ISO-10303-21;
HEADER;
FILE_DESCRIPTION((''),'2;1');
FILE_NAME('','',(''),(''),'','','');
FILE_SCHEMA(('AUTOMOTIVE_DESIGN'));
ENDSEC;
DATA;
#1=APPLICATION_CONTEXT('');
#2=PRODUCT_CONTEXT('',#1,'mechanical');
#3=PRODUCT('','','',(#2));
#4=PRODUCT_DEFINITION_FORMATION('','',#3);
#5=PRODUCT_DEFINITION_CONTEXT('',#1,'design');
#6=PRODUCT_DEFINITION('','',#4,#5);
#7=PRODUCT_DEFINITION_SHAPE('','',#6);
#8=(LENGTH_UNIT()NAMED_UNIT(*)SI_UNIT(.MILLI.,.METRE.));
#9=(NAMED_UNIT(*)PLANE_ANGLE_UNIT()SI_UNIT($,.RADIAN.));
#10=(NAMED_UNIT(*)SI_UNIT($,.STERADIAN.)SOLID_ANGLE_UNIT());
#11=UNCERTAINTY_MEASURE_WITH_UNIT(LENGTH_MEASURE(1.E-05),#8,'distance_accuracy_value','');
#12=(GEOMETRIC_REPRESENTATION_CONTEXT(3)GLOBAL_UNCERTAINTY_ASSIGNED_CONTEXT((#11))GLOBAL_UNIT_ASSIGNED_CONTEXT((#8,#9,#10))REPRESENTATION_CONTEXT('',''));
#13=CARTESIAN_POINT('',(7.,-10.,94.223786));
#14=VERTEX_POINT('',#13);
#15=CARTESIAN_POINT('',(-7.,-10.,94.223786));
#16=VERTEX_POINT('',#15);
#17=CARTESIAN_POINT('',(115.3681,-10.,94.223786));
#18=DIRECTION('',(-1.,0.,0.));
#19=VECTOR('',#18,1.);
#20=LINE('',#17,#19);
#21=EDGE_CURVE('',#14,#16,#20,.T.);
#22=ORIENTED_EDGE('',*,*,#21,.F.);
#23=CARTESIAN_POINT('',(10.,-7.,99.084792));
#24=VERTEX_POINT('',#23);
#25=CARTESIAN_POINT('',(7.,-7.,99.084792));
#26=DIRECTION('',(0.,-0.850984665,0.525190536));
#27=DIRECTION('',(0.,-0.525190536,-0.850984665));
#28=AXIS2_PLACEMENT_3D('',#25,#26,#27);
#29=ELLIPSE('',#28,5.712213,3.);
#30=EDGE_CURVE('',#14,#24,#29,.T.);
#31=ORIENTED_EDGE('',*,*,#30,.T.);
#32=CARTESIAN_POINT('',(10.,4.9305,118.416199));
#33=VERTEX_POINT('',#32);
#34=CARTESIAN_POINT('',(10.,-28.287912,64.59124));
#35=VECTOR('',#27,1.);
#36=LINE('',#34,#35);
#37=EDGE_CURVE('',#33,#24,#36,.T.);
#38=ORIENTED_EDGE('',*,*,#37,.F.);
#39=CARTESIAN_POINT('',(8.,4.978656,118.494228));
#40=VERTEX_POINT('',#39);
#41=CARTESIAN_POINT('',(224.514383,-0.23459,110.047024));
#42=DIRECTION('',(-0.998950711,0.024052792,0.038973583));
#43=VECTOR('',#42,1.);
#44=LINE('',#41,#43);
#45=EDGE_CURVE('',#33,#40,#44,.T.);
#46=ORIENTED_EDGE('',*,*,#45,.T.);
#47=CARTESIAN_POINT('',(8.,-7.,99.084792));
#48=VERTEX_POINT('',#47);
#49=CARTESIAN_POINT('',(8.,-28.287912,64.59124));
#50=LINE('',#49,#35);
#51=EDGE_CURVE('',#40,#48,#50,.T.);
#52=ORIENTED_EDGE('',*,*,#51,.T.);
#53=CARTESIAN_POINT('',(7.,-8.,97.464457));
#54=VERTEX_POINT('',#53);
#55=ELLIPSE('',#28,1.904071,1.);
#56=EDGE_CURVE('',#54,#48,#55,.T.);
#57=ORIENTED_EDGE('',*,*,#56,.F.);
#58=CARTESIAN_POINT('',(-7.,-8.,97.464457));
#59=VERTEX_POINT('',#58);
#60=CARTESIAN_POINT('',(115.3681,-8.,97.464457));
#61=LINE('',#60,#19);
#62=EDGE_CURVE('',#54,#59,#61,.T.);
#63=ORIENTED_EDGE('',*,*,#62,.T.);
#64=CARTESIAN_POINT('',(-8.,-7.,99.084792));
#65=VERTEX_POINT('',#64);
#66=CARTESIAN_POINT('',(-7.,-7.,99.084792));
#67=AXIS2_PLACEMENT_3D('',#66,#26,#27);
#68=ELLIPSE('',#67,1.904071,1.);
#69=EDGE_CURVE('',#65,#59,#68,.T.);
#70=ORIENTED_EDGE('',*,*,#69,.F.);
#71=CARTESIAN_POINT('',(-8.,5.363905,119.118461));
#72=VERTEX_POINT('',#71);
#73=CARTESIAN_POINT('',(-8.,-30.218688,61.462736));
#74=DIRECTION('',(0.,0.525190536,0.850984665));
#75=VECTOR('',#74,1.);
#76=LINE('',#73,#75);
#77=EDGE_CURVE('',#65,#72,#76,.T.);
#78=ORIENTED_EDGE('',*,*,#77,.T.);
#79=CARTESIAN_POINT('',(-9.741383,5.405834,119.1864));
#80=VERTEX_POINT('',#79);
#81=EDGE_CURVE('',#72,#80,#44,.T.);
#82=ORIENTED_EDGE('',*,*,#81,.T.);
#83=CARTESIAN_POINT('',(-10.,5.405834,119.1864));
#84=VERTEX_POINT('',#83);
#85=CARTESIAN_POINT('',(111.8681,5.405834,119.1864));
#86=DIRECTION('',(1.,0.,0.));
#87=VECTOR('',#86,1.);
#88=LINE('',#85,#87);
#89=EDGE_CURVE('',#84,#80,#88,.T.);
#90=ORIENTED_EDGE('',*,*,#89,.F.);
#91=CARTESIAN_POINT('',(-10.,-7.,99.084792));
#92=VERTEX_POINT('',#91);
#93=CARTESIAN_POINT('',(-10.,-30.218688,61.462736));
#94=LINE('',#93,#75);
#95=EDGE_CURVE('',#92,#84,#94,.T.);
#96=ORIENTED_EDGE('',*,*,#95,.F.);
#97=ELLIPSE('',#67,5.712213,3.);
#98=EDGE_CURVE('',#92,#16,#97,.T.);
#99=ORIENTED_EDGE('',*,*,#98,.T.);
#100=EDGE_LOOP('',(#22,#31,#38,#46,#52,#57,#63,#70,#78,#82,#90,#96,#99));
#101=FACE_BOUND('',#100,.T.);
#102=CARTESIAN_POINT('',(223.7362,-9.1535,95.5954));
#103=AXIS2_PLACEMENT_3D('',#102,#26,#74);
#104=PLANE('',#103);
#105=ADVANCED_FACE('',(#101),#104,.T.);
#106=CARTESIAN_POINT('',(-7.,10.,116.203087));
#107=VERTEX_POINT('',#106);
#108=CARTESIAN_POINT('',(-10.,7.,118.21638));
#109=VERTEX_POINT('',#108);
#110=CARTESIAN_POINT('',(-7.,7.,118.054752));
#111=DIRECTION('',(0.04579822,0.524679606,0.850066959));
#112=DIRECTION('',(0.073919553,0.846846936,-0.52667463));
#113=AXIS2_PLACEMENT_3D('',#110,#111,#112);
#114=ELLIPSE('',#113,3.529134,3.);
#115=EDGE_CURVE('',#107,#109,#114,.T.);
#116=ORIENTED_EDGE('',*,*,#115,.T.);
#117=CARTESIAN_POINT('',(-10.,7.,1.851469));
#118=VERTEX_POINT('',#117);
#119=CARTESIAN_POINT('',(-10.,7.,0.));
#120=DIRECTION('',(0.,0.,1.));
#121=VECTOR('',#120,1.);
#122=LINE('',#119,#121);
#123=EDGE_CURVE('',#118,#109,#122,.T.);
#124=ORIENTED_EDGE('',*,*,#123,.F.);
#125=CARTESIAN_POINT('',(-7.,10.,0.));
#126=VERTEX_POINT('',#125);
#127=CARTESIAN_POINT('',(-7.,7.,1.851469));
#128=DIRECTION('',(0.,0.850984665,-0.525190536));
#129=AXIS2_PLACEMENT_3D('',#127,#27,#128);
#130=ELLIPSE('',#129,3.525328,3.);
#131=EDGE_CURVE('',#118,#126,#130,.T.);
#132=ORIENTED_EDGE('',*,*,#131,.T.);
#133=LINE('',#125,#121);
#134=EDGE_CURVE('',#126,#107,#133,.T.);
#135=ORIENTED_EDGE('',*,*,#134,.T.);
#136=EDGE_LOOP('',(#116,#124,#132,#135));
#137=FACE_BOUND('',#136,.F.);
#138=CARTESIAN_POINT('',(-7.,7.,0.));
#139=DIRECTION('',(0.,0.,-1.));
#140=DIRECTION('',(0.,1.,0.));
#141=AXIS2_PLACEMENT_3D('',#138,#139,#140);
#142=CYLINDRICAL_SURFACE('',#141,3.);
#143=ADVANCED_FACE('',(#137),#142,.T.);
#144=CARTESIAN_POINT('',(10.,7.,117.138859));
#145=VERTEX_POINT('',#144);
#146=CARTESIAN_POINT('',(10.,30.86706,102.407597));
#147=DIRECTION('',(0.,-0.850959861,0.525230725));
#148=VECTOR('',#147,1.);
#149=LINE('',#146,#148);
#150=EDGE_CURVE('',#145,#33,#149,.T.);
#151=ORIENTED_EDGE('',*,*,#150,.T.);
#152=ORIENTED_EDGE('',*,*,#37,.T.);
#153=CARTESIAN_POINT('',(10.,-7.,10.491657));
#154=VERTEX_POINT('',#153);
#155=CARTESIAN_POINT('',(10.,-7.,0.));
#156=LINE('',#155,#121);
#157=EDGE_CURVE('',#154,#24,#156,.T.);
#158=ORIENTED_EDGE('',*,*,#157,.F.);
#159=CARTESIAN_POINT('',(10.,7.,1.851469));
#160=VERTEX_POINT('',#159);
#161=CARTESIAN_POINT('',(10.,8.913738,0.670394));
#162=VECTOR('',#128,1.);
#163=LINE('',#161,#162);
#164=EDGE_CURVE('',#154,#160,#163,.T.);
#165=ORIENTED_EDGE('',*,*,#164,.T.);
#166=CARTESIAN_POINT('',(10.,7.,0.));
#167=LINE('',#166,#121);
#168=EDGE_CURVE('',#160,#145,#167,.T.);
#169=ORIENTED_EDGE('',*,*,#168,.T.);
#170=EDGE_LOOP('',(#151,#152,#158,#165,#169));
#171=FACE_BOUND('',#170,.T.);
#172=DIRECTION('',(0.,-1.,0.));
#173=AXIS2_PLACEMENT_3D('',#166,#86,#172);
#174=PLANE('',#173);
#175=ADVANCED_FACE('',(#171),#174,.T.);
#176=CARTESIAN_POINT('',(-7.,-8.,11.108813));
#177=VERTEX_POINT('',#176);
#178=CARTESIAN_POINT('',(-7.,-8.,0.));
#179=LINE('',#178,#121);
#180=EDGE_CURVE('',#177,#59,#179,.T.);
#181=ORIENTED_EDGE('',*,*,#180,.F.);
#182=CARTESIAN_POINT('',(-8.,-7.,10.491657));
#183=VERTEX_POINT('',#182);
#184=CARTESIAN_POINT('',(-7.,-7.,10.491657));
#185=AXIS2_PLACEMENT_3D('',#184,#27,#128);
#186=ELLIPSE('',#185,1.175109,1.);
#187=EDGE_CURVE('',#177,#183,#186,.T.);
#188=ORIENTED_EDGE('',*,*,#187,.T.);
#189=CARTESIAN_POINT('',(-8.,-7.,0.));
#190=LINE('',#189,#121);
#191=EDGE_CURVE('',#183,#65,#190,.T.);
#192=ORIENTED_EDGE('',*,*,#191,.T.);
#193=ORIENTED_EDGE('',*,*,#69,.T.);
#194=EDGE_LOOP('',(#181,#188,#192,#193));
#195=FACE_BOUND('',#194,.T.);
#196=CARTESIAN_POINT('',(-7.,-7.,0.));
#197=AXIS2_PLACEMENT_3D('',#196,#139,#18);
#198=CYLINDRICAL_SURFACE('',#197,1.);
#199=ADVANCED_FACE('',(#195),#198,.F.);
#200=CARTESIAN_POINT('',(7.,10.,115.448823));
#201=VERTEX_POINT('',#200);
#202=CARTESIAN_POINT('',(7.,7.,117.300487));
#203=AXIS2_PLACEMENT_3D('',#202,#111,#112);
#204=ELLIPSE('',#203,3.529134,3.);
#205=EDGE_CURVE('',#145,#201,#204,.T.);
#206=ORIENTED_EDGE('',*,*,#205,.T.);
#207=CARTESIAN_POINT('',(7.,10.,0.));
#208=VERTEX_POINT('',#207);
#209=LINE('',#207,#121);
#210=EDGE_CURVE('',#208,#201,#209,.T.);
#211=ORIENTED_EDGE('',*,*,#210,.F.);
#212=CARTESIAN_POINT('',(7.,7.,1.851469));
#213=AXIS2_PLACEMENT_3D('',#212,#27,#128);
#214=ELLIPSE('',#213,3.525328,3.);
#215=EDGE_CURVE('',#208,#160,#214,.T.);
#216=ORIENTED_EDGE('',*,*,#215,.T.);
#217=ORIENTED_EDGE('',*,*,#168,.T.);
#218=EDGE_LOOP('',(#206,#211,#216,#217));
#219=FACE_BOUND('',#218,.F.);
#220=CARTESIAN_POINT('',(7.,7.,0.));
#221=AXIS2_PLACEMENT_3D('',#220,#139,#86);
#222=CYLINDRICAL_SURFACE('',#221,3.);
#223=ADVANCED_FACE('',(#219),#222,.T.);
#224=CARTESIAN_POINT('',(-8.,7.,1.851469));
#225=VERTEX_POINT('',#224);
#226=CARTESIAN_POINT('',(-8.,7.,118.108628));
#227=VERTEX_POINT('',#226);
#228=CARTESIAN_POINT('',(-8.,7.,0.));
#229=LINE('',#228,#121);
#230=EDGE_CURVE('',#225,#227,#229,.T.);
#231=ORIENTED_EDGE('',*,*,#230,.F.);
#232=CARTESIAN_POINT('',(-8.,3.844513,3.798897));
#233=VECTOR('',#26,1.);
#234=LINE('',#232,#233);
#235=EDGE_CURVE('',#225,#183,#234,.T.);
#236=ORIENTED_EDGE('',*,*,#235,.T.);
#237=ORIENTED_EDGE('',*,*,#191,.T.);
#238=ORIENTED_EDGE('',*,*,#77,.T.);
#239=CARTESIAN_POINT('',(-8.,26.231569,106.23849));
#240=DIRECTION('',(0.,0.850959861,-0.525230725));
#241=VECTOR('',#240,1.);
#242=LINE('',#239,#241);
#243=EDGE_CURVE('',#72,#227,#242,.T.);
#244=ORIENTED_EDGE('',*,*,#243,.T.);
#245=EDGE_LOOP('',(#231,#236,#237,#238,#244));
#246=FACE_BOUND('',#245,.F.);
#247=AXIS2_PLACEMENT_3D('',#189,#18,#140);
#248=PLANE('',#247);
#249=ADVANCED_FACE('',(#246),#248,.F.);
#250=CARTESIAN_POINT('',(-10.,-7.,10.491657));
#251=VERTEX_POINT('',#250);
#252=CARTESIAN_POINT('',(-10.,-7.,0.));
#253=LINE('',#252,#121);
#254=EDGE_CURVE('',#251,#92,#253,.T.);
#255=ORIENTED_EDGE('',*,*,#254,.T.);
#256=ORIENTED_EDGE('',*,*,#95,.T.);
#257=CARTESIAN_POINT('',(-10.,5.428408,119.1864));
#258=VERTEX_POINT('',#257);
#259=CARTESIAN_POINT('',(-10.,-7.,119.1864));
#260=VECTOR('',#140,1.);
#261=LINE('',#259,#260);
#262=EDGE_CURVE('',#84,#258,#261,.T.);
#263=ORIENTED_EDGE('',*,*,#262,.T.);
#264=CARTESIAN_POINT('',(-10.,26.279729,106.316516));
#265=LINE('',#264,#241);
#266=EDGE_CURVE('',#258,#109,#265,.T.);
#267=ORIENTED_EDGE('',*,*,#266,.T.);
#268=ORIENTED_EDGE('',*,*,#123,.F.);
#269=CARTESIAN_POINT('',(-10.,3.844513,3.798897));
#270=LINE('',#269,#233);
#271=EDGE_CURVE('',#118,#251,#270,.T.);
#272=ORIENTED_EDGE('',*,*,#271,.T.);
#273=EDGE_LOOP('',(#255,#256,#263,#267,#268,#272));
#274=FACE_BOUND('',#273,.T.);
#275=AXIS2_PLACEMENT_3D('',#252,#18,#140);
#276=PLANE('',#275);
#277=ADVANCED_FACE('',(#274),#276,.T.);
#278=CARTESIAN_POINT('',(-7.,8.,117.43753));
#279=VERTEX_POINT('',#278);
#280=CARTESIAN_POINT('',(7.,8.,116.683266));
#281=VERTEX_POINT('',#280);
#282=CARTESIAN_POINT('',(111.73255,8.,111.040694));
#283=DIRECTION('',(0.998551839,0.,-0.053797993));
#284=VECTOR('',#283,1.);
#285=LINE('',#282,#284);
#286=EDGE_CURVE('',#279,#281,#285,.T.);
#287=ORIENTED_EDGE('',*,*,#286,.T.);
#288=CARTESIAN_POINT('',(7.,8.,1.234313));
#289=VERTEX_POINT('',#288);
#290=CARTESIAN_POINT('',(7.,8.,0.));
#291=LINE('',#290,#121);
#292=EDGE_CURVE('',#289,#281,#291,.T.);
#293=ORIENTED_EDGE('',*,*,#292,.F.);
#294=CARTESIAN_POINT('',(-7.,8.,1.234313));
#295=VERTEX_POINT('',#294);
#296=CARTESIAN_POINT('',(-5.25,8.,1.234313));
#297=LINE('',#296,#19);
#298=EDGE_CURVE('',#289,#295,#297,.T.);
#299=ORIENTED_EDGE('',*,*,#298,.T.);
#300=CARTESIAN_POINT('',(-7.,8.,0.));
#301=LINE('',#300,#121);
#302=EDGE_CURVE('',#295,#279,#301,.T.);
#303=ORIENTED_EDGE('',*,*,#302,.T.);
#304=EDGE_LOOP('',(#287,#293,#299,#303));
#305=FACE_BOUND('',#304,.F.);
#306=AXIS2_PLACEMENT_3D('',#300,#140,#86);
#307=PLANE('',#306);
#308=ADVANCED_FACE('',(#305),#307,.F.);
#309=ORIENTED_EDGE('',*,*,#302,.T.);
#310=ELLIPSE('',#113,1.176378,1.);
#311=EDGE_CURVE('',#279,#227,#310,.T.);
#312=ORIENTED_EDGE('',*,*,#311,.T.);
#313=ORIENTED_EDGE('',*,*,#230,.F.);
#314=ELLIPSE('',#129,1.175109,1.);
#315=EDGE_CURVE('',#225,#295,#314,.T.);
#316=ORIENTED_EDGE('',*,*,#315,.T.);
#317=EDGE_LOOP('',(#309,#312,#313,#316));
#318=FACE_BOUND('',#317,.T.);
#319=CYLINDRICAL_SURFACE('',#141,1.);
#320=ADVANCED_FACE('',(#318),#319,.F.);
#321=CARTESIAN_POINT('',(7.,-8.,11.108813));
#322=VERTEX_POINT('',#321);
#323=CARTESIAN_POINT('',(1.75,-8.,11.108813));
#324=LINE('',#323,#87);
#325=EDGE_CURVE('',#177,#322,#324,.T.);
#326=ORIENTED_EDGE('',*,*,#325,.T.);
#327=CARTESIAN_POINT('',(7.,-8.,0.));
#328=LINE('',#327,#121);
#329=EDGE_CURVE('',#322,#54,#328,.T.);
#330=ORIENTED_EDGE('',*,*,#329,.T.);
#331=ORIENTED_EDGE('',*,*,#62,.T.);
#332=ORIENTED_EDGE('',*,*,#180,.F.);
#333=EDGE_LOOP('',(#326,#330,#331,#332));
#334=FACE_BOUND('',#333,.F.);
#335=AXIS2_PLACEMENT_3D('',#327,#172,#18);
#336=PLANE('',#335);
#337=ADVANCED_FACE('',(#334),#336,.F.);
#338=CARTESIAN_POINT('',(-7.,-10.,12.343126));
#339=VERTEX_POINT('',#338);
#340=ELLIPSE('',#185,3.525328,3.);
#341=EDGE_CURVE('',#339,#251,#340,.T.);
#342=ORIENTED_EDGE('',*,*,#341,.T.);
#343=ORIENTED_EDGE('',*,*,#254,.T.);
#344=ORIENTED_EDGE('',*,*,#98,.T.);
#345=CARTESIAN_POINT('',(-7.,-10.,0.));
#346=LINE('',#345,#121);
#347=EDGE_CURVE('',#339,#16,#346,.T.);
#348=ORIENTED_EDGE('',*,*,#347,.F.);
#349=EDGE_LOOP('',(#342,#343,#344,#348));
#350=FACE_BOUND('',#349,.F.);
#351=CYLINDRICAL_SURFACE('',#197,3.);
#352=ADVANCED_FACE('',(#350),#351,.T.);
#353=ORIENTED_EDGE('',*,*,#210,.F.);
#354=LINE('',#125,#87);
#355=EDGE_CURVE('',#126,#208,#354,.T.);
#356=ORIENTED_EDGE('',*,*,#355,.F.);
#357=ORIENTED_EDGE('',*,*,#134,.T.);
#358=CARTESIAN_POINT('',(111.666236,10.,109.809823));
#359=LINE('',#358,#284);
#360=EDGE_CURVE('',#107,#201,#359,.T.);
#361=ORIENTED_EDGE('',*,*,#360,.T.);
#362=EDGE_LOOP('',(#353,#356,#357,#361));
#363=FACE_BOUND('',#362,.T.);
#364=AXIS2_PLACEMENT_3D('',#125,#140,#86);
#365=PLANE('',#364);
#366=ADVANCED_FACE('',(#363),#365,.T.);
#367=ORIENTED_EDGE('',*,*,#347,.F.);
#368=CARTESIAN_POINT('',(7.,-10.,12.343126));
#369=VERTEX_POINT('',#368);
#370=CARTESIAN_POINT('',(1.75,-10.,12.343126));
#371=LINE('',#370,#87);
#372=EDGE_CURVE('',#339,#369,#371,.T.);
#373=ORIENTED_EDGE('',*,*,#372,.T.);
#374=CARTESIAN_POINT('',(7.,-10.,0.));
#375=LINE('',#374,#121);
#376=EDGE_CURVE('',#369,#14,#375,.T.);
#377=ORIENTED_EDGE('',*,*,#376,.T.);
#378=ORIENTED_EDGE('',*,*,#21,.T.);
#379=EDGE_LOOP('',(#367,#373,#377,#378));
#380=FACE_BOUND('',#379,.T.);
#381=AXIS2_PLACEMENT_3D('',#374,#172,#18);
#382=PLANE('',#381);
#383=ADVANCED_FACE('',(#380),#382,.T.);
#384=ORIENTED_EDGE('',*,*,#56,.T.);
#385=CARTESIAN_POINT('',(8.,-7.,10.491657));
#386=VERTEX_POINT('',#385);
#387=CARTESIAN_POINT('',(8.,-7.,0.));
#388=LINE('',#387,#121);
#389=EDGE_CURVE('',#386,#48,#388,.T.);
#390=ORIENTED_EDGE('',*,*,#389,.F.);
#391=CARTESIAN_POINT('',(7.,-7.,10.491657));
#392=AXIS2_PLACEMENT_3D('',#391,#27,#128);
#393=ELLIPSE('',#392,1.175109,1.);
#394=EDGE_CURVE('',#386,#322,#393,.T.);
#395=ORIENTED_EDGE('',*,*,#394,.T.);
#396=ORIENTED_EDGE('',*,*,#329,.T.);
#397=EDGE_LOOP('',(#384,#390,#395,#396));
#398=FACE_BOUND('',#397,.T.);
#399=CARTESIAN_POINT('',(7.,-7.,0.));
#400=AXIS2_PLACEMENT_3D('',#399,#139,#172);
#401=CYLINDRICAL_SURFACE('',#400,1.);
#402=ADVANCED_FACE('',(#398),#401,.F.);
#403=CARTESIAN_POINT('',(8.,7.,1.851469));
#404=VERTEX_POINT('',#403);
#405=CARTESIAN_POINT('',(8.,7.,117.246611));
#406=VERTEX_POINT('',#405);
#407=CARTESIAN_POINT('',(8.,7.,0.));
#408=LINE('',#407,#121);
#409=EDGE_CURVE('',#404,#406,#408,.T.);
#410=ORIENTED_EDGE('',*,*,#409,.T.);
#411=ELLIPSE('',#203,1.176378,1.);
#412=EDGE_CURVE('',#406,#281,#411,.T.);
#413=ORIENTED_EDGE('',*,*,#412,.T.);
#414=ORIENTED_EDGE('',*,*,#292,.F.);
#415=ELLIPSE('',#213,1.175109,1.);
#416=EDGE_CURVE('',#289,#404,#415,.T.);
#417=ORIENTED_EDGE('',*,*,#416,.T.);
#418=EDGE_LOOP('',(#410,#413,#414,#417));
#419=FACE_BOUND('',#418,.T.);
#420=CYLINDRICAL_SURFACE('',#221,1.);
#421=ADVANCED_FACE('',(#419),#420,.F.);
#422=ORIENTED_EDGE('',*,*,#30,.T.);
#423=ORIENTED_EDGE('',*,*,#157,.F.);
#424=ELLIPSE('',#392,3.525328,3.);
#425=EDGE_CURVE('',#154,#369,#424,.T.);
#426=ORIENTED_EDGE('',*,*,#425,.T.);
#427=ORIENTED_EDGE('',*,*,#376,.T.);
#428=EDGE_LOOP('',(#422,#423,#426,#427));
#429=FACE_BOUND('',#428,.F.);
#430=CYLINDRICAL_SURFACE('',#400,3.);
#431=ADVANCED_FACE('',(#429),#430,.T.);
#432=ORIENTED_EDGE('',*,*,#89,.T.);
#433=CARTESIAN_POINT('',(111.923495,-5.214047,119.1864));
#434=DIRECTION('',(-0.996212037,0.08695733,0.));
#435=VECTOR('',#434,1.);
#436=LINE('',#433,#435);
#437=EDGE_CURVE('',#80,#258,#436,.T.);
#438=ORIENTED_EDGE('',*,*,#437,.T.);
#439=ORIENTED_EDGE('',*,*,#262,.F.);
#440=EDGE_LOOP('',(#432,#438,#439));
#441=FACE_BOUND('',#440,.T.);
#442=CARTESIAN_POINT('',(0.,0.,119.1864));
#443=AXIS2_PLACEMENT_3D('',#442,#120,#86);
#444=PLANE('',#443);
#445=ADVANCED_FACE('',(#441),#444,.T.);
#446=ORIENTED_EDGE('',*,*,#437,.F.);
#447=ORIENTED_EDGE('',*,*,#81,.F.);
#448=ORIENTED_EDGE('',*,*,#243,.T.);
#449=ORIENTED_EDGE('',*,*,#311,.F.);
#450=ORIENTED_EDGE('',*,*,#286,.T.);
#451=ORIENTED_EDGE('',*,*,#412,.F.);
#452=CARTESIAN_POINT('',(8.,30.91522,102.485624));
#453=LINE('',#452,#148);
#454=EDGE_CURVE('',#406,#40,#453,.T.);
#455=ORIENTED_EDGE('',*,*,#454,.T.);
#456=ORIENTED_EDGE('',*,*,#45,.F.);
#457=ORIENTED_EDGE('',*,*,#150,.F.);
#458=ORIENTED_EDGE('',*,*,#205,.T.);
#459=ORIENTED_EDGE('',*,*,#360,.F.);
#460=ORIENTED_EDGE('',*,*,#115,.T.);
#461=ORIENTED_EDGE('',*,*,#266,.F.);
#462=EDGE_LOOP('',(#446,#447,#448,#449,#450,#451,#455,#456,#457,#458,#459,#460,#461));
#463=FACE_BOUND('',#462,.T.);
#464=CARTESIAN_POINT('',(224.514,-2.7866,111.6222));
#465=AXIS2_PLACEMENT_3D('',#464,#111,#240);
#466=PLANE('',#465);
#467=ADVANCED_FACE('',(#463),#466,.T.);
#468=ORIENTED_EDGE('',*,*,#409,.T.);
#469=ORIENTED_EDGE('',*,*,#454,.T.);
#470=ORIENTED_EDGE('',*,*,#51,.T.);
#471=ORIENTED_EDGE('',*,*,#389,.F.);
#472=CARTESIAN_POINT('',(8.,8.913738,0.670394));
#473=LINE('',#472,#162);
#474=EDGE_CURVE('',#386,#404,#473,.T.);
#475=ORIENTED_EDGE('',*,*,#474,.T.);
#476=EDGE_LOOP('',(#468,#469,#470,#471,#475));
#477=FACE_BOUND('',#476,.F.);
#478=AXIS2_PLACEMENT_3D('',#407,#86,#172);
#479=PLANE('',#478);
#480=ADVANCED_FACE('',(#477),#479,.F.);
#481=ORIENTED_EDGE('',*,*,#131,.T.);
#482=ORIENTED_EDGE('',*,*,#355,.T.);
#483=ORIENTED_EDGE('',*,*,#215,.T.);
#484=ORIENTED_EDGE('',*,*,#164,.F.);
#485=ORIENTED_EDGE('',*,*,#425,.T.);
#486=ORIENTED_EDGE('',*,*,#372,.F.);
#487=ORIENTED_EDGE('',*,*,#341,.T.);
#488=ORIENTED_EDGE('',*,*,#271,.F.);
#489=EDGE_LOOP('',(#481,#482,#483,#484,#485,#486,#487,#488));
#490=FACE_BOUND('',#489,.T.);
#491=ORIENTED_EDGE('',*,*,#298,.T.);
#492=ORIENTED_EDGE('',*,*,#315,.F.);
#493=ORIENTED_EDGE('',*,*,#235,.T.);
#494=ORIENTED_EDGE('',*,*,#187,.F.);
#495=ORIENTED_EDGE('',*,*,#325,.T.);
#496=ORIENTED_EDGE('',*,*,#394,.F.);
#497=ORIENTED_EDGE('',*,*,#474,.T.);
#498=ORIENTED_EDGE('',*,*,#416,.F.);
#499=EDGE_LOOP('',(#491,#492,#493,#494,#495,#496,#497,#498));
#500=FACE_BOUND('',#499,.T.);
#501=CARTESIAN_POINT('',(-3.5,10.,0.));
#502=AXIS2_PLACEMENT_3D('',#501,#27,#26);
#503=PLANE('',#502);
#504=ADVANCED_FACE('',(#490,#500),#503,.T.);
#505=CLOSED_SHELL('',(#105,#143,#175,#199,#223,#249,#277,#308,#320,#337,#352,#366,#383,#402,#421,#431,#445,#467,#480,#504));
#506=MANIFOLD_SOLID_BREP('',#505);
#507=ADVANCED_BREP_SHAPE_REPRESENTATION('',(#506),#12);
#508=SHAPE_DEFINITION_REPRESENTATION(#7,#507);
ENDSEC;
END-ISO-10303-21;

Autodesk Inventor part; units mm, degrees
ref_plane "Start Plane" through (0, 0, 0) normal (0, 0, 1) x (1, 0, 0)
ref_plane "End Plane" through (0, 0, 119.1864) normal (0, 0, 1) x (1, 0, 0)
sketch "Sketch" plane through (0, 0, 0) normal (0, 0, 1) x (1, 0, 0)
  line L0 (-10, -7) -> (-10, 7)
  line L1 (-7, 10) -> (7, 10)
  line L2 (10, 7) -> (10, -7)
  line L3 (7, -10) -> (-7, -10)
  arc A0 (-10, -7) -> (-7, -10) centre (-7, -7) ccw
  arc A1 (-7, 10) -> (-10, 7) centre (-7, 7) ccw
  arc A2 (10, 7) -> (7, 10) centre (7, 7) ccw
  arc A3 (7, -10) -> (10, -7) centre (7, -7) ccw
  arc A4 (-7, 8) -> (-8, 7) centre (-7, 7) ccw
  line L4 (-7, 8) -> (7, 8)
  arc A5 (8, 7) -> (7, 8) centre (7, 7) ccw
  line L5 (8, 7) -> (8, -7)
  arc A6 (7, -8) -> (8, -7) centre (7, -7) ccw
  line L6 (7, -8) -> (-7, -8)
  arc A7 (-8, -7) -> (-7, -8) centre (-7, -7) ccw
  line L7 (-8, -7) -> (-8, 7)
  line L8 (0, 14.8698) -> (0, -14.8698) construction
  line L9 (-14.8698, 0) -> (14.8698, 0) construction
  dimension "d7" = 3
  dimension "d10" = 20
  dimension "d11" = 20
  dimension "d12" = 2
  dimension "d15" = 10
  dimension "d16" = 10
extrude "Body" add sketch "Sketch" along normal up to surface (119.1864 mm away) from surface at 0
sketch "Sketch3" plane through (0, 0, 0) normal (0, 0, 1) x (1, 0, 0)
  line L0 (0, 0) -> (10, 0)
ref_plane "Work Plane3" through (0, 0, 0) normal (0, -1, 0) x (1, 0, 0)
sketch "Sketch4" plane through (0, 0, 0) normal (0, -1, 0) x (1, 0, 0)
  line L0 (-2, 0) -> (12, 0)
  line L1 (-2, 119.1864) -> (12, 119.1864)
  dimension "d18" = 119.1864
ref_plane "Work Plane5" through (-3.5, 10, 0) normal (0, -0.5252, -0.851) x (1, 0, 0)
ref_plane "Work Plane4" through (-4.3884, -35.4353, -90.7271) normal (0, -0.851, 0.5252) x (-0.999, 0.024, 0.0389)
split "Split1" plane through (-3.5, 10, 0) removes the side toward (0, -0.5252, -0.851)
ref_plane "Work Plane6" through (223.7362, -9.1535, 95.5954) normal (0, -0.851, 0.5252) x (1, 0, 0)
split "Split2" plane through (223.7362, -9.1535, 95.5954) removes the side toward (0, -0.851, 0.5252)
ref_plane "Work Plane7" through (224.514, -2.7866, 111.6222) normal (0.0458, 0.5247, 0.8501) x (0.9989, -0.013, -0.0458)
split "Split3" plane through (224.514, -2.7866, 111.6222) removes the side toward (0.0458, 0.5247, 0.8501)
equation "\"d7\" = G_IR"
equation "\"d10\" = G_H"
equation "\"d11\" = G_W"
equation "\"d12\" = G_T"
equation "\"d15\" = 0.5 * d10"
equation "\"d16\" = 0.5 * d11"
equation "\"d3\" = G_L"
equation "\"G_W\" = 20"
equation "\"G_H\" = 20"
equation "\"G_T\" = 2"
equation "\"G_IR\" = 3"
equation "\"G_L\" = d18"
equation "\"G_OFFSET_START\" = 0"
equation "\"G_OFFSET_END\" = 8.90098"
equation "\"d14\" = G_OFFSET_END + B_L"
equation "\"B_L\" = 110.28541"
properties part number "ISO 12633-2 - 20x20x2 - 119.19" material "Steel, Mild"
